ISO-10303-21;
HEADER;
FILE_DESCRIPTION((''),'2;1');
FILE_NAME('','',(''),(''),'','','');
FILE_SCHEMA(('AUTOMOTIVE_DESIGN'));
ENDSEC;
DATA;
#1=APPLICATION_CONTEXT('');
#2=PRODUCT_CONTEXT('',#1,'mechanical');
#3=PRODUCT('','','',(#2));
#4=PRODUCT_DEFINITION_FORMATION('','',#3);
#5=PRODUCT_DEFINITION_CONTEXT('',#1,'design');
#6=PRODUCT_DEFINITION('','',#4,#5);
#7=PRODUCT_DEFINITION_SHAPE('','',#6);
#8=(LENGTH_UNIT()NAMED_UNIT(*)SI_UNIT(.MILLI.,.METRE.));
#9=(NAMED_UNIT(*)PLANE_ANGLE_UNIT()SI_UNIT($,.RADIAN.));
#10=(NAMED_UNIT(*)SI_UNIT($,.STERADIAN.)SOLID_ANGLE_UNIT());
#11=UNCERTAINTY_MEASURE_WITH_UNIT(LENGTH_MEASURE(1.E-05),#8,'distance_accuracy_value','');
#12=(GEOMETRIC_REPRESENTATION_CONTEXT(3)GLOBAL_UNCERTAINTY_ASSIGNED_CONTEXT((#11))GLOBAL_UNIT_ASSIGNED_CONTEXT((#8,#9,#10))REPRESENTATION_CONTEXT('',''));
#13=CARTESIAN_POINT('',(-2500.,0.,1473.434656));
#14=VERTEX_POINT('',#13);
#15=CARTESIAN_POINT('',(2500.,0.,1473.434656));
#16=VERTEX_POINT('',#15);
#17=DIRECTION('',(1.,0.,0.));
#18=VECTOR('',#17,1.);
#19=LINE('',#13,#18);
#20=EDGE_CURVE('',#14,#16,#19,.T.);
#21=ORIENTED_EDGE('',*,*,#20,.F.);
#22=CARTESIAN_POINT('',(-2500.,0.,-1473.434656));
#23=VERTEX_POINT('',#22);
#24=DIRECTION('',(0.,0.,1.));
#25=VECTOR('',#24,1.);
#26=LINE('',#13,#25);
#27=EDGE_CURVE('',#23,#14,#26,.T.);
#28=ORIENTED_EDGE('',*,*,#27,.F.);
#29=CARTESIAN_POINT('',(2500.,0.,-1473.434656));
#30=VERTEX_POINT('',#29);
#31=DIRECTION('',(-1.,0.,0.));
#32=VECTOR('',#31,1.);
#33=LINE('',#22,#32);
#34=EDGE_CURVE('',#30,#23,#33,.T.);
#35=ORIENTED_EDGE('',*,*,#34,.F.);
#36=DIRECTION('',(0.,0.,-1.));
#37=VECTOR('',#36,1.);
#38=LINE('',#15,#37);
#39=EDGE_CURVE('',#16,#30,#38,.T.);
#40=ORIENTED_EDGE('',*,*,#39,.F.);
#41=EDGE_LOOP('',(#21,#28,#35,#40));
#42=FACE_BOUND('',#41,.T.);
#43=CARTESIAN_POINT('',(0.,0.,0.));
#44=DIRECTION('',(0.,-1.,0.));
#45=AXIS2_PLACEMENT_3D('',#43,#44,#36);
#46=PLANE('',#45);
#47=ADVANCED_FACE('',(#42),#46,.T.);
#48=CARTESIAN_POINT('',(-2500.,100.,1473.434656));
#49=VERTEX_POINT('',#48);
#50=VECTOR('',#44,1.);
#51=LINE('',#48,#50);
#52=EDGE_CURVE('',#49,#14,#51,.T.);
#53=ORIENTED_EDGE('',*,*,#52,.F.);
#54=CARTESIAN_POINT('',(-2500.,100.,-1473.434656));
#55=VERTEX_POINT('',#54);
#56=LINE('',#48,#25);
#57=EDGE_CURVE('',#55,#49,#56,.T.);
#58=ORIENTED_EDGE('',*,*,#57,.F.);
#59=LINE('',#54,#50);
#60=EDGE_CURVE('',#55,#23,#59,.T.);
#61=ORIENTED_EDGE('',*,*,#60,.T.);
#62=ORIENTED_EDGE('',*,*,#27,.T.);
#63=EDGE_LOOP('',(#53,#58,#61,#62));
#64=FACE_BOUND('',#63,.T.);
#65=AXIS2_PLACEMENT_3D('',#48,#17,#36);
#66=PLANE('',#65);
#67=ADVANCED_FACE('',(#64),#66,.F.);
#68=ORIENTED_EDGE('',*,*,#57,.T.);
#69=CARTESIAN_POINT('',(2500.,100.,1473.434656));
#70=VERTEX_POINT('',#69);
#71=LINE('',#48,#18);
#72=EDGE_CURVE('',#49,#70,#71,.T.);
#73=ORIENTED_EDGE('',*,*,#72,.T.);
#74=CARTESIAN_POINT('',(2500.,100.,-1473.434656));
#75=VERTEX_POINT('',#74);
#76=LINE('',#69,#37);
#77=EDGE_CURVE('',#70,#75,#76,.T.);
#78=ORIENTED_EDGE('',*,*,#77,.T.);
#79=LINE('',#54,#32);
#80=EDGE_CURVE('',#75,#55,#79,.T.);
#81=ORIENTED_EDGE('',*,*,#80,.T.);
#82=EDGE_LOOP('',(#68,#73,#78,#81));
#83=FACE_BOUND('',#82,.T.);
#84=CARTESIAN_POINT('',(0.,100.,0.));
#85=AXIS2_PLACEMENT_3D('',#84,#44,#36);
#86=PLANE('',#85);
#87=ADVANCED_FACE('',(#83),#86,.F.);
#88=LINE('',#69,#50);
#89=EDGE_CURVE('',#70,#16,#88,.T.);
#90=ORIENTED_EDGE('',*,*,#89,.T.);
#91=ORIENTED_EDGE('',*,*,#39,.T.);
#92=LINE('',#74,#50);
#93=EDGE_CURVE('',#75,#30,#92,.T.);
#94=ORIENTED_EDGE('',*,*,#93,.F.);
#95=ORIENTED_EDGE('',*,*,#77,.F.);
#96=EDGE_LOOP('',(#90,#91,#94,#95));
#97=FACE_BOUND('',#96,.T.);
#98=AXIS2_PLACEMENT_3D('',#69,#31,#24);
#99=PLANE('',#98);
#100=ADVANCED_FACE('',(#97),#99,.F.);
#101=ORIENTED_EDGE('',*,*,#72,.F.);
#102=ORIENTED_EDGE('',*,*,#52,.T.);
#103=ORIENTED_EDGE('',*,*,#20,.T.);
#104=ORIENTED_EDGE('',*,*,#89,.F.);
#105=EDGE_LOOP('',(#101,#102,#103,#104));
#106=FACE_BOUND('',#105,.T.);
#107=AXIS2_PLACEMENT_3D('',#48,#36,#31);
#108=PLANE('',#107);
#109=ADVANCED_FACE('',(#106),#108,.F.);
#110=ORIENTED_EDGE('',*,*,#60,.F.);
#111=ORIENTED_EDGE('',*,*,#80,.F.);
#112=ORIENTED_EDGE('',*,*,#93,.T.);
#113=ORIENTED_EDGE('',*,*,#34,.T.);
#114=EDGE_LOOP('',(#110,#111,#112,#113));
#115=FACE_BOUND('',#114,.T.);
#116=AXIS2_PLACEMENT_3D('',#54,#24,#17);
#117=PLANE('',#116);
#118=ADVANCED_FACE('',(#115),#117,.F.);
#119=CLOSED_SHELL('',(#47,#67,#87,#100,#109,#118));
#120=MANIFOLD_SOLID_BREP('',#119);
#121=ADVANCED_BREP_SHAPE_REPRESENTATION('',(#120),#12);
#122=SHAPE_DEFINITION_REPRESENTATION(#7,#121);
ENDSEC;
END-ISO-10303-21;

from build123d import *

# Parameters (mm, degrees)
SKETCH_1_W      = 5000
SKETCH_1_H      = 2946.869311244
EXTRUDE_1_DEPTH = 100


with BuildPart() as part:
    # 草图1 → 凸台-拉伸1 (new body)
    with BuildSketch(Plane(origin=(0, 0, 0), x_dir=(1, 0, 0), z_dir=(0, 1, 0))):
        Rectangle(SKETCH_1_W, SKETCH_1_H)
    extrude(amount=EXTRUDE_1_DEPTH)


solid = part.part
